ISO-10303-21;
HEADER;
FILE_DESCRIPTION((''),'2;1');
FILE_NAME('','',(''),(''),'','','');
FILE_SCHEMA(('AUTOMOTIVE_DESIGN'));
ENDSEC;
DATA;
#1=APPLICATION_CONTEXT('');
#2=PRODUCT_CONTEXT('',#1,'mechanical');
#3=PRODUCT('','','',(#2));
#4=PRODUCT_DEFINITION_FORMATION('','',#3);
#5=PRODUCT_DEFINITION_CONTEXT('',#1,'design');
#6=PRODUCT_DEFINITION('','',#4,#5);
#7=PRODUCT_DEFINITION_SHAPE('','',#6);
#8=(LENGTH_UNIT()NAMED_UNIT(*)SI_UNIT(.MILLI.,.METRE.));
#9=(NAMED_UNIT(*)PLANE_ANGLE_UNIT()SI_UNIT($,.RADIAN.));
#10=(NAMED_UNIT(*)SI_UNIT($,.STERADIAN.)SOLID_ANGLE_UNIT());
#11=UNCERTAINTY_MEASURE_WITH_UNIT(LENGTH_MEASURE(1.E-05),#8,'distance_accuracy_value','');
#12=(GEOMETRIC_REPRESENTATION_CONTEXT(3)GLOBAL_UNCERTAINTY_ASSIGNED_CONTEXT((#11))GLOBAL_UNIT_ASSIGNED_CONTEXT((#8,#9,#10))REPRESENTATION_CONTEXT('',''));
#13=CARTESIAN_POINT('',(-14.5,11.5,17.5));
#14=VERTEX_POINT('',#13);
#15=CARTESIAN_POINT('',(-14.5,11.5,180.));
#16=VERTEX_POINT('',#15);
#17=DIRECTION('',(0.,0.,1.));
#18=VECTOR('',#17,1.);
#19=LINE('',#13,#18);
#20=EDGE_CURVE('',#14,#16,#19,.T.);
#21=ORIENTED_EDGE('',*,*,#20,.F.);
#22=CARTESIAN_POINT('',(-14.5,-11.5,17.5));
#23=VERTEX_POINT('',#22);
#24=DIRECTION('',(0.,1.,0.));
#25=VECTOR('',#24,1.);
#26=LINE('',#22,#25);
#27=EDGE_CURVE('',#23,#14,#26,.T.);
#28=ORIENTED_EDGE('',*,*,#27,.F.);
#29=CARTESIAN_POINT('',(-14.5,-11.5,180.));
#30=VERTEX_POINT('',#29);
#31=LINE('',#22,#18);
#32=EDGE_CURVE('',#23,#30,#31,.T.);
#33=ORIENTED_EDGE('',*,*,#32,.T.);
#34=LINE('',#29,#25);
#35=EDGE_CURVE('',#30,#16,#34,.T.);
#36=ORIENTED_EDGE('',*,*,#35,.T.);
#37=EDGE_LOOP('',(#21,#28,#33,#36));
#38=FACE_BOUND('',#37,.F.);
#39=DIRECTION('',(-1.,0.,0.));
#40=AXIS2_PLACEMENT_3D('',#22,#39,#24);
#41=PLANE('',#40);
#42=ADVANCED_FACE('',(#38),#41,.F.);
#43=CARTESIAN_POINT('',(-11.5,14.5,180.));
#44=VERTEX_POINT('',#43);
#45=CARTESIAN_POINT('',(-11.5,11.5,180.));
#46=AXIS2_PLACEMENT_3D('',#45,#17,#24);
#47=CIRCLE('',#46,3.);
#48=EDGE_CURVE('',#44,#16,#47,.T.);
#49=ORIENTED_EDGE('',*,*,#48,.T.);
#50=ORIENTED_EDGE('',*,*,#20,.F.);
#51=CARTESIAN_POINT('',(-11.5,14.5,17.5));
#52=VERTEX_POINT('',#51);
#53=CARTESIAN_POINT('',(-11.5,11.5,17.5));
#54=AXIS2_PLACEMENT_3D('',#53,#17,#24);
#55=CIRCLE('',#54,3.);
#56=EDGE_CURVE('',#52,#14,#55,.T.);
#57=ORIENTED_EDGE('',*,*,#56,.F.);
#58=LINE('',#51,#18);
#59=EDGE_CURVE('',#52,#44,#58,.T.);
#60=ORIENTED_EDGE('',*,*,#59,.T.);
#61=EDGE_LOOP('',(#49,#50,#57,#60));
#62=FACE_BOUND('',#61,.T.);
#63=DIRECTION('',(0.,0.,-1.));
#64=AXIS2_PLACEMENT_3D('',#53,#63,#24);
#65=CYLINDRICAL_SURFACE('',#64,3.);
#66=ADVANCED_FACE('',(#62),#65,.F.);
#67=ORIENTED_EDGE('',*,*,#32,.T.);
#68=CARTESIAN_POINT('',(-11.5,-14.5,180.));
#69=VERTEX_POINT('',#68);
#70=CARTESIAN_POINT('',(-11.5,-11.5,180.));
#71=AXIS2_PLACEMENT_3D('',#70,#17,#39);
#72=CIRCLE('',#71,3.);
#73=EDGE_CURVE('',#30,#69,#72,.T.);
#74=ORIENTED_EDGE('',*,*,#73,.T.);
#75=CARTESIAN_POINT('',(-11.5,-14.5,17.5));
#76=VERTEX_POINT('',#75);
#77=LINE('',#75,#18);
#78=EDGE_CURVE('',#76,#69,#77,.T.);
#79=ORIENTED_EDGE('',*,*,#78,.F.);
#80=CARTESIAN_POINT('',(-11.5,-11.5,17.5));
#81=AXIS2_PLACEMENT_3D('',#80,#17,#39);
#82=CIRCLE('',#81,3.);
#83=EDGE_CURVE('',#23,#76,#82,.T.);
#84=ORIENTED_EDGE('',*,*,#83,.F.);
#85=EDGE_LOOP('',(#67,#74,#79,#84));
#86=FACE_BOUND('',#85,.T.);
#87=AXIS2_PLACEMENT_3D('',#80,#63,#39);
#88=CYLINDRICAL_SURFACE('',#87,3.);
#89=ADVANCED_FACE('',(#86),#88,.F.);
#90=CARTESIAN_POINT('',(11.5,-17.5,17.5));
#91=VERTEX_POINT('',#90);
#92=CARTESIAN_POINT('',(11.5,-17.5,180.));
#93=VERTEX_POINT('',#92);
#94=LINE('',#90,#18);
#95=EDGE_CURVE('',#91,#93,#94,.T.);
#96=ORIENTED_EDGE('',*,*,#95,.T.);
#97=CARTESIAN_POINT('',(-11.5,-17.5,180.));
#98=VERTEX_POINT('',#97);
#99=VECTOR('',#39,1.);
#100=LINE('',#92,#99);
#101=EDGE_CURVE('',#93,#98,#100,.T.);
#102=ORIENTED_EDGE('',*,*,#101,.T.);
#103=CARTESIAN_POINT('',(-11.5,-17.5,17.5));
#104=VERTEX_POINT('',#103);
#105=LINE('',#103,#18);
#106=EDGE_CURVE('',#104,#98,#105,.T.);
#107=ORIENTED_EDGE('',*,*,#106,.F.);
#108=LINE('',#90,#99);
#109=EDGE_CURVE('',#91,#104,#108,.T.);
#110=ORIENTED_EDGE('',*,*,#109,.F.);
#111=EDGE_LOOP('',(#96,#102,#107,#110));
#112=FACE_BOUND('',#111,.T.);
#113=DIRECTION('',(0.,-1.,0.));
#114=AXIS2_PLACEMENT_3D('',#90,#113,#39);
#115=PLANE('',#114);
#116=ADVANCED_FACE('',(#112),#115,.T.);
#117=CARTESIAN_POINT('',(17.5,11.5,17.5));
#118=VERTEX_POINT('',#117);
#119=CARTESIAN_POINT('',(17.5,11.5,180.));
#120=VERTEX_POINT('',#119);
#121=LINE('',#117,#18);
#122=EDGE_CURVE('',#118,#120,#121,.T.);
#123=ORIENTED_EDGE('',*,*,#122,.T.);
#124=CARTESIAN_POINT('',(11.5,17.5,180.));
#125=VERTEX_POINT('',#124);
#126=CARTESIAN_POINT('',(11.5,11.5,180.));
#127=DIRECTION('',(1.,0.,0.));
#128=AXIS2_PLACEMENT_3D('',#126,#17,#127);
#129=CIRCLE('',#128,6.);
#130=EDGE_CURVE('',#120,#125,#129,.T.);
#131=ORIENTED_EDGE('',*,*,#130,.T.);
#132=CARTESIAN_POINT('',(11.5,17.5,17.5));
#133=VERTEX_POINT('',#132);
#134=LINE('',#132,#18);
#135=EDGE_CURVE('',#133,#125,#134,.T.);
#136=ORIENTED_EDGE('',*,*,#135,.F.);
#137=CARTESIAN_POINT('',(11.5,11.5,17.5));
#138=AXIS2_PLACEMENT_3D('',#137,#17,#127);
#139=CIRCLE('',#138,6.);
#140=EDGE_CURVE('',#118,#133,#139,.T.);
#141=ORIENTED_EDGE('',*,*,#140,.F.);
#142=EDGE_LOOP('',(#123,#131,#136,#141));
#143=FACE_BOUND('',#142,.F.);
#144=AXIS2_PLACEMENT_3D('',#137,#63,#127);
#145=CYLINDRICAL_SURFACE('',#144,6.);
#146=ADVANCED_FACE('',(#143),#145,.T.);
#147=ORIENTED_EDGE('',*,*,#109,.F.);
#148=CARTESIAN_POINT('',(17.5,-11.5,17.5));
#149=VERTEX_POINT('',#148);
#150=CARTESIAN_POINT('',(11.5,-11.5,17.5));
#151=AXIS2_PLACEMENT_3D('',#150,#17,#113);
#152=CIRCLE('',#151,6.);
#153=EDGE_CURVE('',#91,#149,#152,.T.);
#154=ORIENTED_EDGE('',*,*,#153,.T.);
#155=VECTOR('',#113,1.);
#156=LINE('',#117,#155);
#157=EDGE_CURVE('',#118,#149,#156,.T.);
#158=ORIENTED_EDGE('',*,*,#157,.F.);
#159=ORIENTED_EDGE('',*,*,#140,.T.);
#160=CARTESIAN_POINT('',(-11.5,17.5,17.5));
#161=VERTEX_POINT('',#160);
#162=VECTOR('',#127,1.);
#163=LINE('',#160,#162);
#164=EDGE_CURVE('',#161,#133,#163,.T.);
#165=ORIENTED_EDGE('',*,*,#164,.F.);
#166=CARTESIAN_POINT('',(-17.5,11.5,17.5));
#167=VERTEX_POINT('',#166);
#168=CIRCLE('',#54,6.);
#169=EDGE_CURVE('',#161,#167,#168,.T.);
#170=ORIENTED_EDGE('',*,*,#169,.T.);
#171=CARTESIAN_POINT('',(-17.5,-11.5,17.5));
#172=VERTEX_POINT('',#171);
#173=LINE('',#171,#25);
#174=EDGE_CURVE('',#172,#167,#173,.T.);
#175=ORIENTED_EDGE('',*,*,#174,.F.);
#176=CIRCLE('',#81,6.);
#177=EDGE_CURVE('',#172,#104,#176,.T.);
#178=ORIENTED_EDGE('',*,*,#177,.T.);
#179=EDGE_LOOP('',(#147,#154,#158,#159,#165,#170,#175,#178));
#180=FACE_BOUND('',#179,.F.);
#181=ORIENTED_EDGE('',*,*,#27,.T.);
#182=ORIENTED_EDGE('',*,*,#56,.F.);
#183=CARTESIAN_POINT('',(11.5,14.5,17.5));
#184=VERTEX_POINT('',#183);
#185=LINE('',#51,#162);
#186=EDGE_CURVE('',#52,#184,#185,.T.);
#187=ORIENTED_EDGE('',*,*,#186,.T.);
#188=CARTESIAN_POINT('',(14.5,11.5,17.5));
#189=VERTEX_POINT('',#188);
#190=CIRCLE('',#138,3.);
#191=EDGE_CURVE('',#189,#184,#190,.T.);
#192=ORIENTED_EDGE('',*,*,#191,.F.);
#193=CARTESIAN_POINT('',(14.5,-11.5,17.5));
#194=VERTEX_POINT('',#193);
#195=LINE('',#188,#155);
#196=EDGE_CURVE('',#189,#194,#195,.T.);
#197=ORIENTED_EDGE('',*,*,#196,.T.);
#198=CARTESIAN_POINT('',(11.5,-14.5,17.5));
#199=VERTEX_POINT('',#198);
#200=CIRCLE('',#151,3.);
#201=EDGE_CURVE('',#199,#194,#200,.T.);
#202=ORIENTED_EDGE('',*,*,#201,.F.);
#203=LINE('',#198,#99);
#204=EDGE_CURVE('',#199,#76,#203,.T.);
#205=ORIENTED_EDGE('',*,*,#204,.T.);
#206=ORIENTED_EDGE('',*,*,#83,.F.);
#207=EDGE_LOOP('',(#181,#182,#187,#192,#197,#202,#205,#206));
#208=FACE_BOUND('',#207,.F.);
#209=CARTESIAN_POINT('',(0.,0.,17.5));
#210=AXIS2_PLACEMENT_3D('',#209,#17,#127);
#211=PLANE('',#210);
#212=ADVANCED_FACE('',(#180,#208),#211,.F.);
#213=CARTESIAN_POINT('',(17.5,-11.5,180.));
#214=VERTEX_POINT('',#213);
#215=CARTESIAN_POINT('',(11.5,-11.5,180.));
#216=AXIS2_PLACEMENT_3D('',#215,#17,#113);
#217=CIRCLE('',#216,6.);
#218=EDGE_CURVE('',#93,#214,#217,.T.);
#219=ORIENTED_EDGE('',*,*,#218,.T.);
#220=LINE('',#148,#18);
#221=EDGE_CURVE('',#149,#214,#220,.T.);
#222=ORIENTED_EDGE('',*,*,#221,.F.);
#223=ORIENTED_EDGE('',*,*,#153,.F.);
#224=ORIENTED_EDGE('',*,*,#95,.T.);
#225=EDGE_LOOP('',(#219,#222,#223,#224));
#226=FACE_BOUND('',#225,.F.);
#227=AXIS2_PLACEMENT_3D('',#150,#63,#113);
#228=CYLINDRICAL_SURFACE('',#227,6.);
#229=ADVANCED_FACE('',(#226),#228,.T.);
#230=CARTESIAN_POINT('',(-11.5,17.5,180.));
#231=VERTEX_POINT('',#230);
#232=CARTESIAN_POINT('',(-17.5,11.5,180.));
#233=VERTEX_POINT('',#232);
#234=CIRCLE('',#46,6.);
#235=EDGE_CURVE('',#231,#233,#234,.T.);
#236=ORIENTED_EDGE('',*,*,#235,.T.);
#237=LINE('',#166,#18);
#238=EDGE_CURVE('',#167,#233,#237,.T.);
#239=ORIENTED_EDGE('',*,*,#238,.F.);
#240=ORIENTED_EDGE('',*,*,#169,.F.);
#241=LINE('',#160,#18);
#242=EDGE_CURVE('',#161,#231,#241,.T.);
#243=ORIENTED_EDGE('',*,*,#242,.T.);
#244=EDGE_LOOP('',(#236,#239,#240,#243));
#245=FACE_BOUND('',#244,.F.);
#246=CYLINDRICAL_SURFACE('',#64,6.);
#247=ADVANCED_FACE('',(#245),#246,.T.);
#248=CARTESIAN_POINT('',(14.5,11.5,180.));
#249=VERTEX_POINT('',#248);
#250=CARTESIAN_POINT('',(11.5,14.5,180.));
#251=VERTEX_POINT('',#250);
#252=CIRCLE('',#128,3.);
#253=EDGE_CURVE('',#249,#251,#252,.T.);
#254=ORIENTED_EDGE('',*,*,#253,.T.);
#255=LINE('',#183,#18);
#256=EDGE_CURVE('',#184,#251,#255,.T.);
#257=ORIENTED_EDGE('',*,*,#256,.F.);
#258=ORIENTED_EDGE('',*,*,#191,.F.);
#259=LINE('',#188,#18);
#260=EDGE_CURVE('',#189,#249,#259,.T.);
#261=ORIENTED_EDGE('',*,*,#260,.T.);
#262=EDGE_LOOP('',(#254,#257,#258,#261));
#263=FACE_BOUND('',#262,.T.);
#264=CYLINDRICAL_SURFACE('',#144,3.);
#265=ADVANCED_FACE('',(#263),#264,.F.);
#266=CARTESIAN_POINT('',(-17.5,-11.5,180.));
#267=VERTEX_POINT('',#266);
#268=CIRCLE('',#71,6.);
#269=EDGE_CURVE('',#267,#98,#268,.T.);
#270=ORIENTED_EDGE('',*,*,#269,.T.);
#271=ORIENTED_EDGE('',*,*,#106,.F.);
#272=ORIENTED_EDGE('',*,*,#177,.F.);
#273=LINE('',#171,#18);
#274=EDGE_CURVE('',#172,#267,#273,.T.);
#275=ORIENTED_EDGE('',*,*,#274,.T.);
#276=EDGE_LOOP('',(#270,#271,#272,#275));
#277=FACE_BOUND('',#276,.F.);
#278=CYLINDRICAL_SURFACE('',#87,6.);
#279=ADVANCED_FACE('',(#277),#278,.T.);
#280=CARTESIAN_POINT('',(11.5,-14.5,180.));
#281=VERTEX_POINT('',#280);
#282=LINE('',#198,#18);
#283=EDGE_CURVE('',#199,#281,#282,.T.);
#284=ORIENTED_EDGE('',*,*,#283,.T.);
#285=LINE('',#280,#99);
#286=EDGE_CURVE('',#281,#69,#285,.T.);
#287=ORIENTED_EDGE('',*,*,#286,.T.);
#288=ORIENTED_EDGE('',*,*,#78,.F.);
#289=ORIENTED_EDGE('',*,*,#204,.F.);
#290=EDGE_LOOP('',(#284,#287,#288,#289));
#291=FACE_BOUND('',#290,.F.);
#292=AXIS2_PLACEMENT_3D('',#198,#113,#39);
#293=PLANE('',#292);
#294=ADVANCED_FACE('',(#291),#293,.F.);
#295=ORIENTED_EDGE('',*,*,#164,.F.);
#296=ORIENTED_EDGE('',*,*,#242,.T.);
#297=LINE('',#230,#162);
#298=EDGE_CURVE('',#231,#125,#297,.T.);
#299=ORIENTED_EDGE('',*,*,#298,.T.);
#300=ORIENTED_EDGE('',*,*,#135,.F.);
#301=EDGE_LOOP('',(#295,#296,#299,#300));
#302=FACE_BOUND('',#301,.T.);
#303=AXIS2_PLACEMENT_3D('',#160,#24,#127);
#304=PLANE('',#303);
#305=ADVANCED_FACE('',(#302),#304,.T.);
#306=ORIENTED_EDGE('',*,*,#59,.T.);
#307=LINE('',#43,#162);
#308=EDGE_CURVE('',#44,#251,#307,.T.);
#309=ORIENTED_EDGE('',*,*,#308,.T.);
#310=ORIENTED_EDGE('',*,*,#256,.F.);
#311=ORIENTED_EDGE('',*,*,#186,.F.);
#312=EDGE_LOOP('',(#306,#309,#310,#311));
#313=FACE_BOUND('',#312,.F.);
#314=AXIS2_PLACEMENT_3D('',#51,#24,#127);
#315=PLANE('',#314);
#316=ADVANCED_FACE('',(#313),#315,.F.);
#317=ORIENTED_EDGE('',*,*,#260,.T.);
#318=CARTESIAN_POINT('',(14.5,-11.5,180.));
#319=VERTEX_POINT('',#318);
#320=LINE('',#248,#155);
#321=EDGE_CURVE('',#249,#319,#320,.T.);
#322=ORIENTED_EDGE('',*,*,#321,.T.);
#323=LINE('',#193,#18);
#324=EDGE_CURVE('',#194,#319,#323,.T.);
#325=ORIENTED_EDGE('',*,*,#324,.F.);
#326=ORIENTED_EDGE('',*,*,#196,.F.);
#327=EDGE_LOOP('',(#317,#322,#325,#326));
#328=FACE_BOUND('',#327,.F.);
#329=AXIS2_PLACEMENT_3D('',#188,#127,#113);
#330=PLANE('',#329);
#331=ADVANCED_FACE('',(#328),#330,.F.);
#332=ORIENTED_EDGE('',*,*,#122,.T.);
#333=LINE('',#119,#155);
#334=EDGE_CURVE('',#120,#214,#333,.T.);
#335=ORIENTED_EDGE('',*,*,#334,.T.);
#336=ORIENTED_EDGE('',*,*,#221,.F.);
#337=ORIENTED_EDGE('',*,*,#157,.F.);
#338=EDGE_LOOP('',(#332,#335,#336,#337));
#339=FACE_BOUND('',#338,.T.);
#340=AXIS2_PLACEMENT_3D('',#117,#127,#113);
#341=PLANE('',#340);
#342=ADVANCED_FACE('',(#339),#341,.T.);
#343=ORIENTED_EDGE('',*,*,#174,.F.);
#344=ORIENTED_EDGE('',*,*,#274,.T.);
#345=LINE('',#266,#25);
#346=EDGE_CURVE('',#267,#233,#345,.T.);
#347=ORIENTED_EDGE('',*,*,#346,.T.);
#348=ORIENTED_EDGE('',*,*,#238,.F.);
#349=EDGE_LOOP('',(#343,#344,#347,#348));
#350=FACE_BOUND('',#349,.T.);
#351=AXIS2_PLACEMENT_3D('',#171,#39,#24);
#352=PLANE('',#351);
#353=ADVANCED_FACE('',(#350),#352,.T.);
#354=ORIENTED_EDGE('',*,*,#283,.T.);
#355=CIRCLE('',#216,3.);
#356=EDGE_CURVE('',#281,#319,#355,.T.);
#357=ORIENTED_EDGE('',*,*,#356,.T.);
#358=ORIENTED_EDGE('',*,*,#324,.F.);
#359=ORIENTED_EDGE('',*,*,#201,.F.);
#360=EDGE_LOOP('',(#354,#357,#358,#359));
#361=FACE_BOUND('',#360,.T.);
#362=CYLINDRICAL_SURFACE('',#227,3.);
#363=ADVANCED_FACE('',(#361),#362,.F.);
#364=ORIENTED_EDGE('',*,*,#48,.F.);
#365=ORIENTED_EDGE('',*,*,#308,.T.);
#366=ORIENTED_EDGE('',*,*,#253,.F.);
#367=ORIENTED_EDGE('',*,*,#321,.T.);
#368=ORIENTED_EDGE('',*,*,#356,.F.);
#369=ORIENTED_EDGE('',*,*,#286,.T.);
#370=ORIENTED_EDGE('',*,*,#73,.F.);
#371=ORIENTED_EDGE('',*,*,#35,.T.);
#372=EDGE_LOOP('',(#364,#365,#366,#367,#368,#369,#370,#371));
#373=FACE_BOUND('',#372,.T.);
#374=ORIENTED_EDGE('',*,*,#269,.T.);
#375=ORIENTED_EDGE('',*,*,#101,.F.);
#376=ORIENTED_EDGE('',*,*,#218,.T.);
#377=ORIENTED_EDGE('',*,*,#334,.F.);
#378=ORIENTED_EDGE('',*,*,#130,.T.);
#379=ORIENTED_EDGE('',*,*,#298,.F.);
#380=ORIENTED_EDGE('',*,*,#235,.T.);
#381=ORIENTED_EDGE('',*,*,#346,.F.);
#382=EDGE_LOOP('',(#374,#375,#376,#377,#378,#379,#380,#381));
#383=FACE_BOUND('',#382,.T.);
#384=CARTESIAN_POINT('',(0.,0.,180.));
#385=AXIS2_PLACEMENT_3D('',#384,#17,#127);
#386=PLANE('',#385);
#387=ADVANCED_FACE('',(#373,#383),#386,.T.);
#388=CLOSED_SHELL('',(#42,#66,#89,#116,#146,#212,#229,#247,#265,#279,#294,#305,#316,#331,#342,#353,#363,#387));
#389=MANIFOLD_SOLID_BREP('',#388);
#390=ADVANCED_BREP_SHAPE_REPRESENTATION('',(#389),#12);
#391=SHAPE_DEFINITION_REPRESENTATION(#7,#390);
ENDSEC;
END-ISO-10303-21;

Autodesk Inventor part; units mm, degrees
ref_plane "Start plane" through (0, 0, 17.5) normal (0, 0, 1) x (1, 0, 0)
ref_plane "End plane" through (0, 0, 180) normal (0, 0, 1) x (1, 0, 0)
sketch "Sketch" plane through (0, 0, 0) normal (0, 0, 1) x (1, 0, 0)
  line L0 (-17.5, -11.5) -> (-17.5, 11.5)
  line L1 (-11.5, 17.5) -> (11.5, 17.5)
  line L2 (17.5, 11.5) -> (17.5, -11.5)
  line L3 (11.5, -17.5) -> (-11.5, -17.5)
  arc A0 (-17.5, -11.5) -> (-11.5, -17.5) centre (-11.5, -11.5) ccw
  arc A1 (-11.5, 17.5) -> (-17.5, 11.5) centre (-11.5, 11.5) ccw
  arc A2 (17.5, 11.5) -> (11.5, 17.5) centre (11.5, 11.5) ccw
  arc A3 (11.5, -17.5) -> (17.5, -11.5) centre (11.5, -11.5) ccw
  arc A4 (-11.5, 14.5) -> (-14.5, 11.5) centre (-11.5, 11.5) ccw
  line L4 (-11.5, 14.5) -> (11.5, 14.5)
  arc A5 (14.5, 11.5) -> (11.5, 14.5) centre (11.5, 11.5) ccw
  line L5 (14.5, 11.5) -> (14.5, -11.5)
  arc A6 (11.5, -14.5) -> (14.5, -11.5) centre (11.5, -11.5) ccw
  line L6 (11.5, -14.5) -> (-11.5, -14.5)
  arc A7 (-14.5, -11.5) -> (-11.5, -14.5) centre (-11.5, -11.5) ccw
  line L7 (-14.5, -11.5) -> (-14.5, 11.5)
  line L8 (0, 25.4278) -> (0, -25.4278) construction
  line L9 (-25.4278, 0) -> (25.4278, 0) construction
  dimension "d7" = 6
  dimension "d10" = 35
  dimension "d11" = 35
  dimension "d12" = 3
  dimension "d15" = 17.5
  dimension "d16" = 17.5
extrude "Body" add sketch "Sketch" along normal up to surface (162.5 mm away) from surface at 17.5
sketch "Sketch3" plane through (0, 0, 0) normal (0, 0, 1) x (1, 0, 0)
  line L0 (0, 0) -> (10, 0)
ref_plane "Work Plane3" through (0, 0, 0) normal (0, -1, 0) x (1, 0, 0)
sketch "Sketch4" plane through (0, 0, 0) normal (0, -1, 0) x (1, 0, 0)
  line L0 (-2, 17.5) -> (12, 17.5)
  line L1 (-2, 180) -> (12, 180)
  dimension "d18" = 162.5
ref_plane "Work Plane4" through (0, 0, 17.5) normal (0, 0, -1) x (-1, 0, 0)
split "Split1" plane through (0, 0, 17.5) removes the side toward (0, 0, -1)
equation "\"d7\" = G_IR"
equation "\"d10\" = G_H"
equation "\"d11\" = G_W"
equation "\"d12\" = G_T"
equation "\"d15\" = 0.5 * d10"
equation "\"d16\" = 0.5 * d11"
equation "\"d3\" = G_L"
equation "\"G_W\" = 35"
equation "\"G_H\" = 35"
equation "\"G_T\" = 3"
equation "\"G_IR\" = 6"
equation "\"G_L\" = d18"
equation "\"G_OFFSET_START\" = -17.5"
equation "\"G_OFFSET_END\" = 0"
equation "\"d13\" = -G_OFFSET_START"
properties part number "AS 1163 - C350L0 35x35x3.0 SHS - 162.5" material "Steel, Mild"
